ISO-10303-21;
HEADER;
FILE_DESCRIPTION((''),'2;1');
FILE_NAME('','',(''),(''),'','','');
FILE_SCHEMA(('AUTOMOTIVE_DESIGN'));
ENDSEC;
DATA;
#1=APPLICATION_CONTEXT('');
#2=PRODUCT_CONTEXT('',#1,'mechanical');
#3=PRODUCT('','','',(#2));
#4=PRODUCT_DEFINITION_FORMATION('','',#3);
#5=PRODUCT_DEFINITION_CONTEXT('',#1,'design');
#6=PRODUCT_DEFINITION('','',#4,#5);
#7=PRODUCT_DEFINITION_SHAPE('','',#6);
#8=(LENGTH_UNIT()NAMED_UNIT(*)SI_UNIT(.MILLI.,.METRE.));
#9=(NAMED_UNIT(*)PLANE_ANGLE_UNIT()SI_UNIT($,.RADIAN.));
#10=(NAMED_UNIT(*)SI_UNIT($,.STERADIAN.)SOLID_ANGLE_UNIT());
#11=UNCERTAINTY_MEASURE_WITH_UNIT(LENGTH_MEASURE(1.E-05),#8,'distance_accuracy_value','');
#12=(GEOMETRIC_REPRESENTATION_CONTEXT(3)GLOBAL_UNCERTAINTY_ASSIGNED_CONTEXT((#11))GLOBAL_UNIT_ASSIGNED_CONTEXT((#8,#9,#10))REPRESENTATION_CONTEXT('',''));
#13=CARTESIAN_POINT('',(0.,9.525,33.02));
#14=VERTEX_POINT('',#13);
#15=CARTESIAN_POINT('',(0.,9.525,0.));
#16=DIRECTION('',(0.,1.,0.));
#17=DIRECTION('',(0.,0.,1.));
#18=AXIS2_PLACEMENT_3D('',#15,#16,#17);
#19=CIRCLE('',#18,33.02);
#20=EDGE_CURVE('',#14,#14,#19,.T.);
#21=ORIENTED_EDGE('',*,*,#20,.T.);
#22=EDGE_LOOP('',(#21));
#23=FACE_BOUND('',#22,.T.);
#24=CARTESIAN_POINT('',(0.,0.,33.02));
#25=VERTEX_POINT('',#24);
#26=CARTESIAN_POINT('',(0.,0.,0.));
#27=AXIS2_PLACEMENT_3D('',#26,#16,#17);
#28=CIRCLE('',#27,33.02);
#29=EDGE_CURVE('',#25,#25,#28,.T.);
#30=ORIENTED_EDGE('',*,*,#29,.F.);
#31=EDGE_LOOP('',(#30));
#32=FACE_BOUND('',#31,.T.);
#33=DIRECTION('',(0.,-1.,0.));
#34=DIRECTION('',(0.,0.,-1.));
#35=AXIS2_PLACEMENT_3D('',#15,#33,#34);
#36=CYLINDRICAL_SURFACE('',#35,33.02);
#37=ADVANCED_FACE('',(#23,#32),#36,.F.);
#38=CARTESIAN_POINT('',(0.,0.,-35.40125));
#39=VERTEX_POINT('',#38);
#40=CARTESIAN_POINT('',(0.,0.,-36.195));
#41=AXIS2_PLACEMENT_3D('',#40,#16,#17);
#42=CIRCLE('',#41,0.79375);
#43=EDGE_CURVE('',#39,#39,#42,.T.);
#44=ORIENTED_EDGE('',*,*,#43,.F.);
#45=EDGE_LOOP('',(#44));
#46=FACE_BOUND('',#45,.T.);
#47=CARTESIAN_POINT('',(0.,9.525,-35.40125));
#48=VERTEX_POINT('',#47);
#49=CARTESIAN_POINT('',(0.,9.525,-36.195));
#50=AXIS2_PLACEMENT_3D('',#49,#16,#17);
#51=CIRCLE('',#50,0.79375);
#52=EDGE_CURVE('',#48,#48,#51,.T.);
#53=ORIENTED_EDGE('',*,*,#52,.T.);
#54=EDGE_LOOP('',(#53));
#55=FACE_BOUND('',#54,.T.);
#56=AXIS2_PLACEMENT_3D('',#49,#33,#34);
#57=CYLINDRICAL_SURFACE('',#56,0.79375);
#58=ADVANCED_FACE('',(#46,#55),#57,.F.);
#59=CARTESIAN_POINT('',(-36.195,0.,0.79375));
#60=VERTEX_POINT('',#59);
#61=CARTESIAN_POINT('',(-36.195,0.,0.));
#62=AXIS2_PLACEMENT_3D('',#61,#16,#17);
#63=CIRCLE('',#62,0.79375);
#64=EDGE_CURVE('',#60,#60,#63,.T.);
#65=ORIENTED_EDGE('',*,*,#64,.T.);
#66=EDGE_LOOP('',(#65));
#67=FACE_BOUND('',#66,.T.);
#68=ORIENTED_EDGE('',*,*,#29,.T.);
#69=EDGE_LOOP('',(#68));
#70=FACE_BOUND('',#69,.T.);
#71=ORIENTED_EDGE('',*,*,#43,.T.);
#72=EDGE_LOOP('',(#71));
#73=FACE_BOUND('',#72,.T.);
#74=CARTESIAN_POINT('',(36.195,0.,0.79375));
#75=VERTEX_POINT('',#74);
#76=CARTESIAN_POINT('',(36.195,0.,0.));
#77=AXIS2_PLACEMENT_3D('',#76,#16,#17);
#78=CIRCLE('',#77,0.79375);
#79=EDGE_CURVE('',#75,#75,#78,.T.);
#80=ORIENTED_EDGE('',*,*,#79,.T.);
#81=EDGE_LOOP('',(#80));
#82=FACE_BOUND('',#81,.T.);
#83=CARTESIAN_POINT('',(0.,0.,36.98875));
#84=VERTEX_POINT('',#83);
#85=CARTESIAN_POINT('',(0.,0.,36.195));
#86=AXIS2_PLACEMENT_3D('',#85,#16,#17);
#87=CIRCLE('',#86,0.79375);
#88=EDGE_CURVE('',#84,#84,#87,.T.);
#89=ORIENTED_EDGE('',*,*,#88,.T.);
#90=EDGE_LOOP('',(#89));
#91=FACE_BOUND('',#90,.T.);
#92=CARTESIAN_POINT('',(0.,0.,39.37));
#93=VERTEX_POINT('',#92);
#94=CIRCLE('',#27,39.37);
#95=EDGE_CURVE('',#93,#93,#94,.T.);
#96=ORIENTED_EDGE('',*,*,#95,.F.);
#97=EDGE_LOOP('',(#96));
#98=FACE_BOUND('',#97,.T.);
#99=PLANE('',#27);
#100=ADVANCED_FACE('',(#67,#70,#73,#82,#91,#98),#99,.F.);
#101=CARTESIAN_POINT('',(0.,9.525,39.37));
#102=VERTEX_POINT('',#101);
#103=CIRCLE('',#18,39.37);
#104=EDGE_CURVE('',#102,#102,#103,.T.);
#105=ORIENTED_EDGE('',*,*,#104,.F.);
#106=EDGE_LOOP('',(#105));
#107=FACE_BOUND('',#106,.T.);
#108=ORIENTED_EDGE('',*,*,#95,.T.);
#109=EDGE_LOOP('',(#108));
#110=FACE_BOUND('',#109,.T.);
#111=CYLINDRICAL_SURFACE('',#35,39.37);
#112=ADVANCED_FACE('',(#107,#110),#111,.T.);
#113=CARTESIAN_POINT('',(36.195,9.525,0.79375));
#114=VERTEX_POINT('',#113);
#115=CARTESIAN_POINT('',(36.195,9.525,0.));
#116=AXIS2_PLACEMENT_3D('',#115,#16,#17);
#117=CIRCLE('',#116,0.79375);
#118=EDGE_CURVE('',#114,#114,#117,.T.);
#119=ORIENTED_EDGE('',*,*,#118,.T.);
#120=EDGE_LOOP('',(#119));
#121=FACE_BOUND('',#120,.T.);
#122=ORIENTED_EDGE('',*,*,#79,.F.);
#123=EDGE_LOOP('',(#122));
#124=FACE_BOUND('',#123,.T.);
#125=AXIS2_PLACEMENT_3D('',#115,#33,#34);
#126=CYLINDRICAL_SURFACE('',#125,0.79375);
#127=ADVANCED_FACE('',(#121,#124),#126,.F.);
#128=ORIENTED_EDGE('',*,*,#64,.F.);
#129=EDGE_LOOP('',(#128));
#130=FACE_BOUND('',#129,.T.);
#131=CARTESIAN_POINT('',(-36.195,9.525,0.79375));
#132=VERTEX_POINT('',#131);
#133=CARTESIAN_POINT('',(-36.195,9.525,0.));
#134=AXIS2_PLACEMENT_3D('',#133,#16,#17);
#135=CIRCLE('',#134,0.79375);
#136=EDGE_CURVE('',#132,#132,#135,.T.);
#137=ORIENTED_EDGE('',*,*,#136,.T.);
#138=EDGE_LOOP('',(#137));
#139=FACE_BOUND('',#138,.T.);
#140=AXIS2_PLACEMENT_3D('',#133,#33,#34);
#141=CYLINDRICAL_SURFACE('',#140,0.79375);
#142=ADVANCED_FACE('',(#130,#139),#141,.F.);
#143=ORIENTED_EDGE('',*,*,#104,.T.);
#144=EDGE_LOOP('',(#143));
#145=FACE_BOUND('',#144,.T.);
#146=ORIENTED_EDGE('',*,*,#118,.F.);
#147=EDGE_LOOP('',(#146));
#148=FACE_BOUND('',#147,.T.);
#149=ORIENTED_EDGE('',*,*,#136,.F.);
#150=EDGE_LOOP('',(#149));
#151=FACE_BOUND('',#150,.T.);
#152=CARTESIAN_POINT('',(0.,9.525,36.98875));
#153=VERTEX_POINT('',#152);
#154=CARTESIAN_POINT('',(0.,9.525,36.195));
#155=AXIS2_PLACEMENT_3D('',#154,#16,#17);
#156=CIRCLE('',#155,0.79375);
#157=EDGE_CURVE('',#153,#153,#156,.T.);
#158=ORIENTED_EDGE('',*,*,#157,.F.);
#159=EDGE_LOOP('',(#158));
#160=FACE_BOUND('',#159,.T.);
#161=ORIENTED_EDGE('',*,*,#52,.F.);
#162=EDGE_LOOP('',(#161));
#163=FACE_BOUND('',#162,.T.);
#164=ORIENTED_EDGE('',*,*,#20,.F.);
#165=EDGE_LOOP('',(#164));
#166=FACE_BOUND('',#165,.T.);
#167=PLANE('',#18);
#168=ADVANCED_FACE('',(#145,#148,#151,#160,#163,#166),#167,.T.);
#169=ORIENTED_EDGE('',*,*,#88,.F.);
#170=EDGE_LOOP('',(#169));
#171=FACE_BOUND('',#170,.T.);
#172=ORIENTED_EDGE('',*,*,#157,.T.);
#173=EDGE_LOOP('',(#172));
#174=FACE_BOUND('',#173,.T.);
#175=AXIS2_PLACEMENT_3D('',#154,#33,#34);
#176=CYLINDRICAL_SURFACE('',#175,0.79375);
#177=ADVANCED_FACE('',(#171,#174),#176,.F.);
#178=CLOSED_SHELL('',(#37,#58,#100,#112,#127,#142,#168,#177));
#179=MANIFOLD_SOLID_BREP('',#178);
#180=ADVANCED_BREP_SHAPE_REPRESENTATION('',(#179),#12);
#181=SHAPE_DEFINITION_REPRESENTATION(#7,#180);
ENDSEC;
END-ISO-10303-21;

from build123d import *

# Parameters (mm, degrees)
SKETCH1_R           = 39.37
SKETCH1_R_2         = 33.02
SKETCH1_R_3         = 0.79375
BOSS_EXTRUDE1_DEPTH = 9.525


with BuildPart() as part:
    # Sketch1 → Boss-Extrude1 (new body)
    with BuildSketch(Plane(origin=(0, 0, 0), x_dir=(1, 0, 0), z_dir=(0, 1, 0))):
        Circle(SKETCH1_R)
        Circle(SKETCH1_R_2, mode=Mode.SUBTRACT)
        with Locations((0, 36.195)):
            Circle(SKETCH1_R_3, mode=Mode.SUBTRACT)
        with Locations((36.195, 0)):
            Circle(SKETCH1_R_3, mode=Mode.SUBTRACT)
        with Locations((0, -36.195)):
            Circle(SKETCH1_R_3, mode=Mode.SUBTRACT)
        with Locations((-36.195, 0)):
            Circle(SKETCH1_R_3, mode=Mode.SUBTRACT)
    extrude(amount=BOSS_EXTRUDE1_DEPTH)


solid = part.part
